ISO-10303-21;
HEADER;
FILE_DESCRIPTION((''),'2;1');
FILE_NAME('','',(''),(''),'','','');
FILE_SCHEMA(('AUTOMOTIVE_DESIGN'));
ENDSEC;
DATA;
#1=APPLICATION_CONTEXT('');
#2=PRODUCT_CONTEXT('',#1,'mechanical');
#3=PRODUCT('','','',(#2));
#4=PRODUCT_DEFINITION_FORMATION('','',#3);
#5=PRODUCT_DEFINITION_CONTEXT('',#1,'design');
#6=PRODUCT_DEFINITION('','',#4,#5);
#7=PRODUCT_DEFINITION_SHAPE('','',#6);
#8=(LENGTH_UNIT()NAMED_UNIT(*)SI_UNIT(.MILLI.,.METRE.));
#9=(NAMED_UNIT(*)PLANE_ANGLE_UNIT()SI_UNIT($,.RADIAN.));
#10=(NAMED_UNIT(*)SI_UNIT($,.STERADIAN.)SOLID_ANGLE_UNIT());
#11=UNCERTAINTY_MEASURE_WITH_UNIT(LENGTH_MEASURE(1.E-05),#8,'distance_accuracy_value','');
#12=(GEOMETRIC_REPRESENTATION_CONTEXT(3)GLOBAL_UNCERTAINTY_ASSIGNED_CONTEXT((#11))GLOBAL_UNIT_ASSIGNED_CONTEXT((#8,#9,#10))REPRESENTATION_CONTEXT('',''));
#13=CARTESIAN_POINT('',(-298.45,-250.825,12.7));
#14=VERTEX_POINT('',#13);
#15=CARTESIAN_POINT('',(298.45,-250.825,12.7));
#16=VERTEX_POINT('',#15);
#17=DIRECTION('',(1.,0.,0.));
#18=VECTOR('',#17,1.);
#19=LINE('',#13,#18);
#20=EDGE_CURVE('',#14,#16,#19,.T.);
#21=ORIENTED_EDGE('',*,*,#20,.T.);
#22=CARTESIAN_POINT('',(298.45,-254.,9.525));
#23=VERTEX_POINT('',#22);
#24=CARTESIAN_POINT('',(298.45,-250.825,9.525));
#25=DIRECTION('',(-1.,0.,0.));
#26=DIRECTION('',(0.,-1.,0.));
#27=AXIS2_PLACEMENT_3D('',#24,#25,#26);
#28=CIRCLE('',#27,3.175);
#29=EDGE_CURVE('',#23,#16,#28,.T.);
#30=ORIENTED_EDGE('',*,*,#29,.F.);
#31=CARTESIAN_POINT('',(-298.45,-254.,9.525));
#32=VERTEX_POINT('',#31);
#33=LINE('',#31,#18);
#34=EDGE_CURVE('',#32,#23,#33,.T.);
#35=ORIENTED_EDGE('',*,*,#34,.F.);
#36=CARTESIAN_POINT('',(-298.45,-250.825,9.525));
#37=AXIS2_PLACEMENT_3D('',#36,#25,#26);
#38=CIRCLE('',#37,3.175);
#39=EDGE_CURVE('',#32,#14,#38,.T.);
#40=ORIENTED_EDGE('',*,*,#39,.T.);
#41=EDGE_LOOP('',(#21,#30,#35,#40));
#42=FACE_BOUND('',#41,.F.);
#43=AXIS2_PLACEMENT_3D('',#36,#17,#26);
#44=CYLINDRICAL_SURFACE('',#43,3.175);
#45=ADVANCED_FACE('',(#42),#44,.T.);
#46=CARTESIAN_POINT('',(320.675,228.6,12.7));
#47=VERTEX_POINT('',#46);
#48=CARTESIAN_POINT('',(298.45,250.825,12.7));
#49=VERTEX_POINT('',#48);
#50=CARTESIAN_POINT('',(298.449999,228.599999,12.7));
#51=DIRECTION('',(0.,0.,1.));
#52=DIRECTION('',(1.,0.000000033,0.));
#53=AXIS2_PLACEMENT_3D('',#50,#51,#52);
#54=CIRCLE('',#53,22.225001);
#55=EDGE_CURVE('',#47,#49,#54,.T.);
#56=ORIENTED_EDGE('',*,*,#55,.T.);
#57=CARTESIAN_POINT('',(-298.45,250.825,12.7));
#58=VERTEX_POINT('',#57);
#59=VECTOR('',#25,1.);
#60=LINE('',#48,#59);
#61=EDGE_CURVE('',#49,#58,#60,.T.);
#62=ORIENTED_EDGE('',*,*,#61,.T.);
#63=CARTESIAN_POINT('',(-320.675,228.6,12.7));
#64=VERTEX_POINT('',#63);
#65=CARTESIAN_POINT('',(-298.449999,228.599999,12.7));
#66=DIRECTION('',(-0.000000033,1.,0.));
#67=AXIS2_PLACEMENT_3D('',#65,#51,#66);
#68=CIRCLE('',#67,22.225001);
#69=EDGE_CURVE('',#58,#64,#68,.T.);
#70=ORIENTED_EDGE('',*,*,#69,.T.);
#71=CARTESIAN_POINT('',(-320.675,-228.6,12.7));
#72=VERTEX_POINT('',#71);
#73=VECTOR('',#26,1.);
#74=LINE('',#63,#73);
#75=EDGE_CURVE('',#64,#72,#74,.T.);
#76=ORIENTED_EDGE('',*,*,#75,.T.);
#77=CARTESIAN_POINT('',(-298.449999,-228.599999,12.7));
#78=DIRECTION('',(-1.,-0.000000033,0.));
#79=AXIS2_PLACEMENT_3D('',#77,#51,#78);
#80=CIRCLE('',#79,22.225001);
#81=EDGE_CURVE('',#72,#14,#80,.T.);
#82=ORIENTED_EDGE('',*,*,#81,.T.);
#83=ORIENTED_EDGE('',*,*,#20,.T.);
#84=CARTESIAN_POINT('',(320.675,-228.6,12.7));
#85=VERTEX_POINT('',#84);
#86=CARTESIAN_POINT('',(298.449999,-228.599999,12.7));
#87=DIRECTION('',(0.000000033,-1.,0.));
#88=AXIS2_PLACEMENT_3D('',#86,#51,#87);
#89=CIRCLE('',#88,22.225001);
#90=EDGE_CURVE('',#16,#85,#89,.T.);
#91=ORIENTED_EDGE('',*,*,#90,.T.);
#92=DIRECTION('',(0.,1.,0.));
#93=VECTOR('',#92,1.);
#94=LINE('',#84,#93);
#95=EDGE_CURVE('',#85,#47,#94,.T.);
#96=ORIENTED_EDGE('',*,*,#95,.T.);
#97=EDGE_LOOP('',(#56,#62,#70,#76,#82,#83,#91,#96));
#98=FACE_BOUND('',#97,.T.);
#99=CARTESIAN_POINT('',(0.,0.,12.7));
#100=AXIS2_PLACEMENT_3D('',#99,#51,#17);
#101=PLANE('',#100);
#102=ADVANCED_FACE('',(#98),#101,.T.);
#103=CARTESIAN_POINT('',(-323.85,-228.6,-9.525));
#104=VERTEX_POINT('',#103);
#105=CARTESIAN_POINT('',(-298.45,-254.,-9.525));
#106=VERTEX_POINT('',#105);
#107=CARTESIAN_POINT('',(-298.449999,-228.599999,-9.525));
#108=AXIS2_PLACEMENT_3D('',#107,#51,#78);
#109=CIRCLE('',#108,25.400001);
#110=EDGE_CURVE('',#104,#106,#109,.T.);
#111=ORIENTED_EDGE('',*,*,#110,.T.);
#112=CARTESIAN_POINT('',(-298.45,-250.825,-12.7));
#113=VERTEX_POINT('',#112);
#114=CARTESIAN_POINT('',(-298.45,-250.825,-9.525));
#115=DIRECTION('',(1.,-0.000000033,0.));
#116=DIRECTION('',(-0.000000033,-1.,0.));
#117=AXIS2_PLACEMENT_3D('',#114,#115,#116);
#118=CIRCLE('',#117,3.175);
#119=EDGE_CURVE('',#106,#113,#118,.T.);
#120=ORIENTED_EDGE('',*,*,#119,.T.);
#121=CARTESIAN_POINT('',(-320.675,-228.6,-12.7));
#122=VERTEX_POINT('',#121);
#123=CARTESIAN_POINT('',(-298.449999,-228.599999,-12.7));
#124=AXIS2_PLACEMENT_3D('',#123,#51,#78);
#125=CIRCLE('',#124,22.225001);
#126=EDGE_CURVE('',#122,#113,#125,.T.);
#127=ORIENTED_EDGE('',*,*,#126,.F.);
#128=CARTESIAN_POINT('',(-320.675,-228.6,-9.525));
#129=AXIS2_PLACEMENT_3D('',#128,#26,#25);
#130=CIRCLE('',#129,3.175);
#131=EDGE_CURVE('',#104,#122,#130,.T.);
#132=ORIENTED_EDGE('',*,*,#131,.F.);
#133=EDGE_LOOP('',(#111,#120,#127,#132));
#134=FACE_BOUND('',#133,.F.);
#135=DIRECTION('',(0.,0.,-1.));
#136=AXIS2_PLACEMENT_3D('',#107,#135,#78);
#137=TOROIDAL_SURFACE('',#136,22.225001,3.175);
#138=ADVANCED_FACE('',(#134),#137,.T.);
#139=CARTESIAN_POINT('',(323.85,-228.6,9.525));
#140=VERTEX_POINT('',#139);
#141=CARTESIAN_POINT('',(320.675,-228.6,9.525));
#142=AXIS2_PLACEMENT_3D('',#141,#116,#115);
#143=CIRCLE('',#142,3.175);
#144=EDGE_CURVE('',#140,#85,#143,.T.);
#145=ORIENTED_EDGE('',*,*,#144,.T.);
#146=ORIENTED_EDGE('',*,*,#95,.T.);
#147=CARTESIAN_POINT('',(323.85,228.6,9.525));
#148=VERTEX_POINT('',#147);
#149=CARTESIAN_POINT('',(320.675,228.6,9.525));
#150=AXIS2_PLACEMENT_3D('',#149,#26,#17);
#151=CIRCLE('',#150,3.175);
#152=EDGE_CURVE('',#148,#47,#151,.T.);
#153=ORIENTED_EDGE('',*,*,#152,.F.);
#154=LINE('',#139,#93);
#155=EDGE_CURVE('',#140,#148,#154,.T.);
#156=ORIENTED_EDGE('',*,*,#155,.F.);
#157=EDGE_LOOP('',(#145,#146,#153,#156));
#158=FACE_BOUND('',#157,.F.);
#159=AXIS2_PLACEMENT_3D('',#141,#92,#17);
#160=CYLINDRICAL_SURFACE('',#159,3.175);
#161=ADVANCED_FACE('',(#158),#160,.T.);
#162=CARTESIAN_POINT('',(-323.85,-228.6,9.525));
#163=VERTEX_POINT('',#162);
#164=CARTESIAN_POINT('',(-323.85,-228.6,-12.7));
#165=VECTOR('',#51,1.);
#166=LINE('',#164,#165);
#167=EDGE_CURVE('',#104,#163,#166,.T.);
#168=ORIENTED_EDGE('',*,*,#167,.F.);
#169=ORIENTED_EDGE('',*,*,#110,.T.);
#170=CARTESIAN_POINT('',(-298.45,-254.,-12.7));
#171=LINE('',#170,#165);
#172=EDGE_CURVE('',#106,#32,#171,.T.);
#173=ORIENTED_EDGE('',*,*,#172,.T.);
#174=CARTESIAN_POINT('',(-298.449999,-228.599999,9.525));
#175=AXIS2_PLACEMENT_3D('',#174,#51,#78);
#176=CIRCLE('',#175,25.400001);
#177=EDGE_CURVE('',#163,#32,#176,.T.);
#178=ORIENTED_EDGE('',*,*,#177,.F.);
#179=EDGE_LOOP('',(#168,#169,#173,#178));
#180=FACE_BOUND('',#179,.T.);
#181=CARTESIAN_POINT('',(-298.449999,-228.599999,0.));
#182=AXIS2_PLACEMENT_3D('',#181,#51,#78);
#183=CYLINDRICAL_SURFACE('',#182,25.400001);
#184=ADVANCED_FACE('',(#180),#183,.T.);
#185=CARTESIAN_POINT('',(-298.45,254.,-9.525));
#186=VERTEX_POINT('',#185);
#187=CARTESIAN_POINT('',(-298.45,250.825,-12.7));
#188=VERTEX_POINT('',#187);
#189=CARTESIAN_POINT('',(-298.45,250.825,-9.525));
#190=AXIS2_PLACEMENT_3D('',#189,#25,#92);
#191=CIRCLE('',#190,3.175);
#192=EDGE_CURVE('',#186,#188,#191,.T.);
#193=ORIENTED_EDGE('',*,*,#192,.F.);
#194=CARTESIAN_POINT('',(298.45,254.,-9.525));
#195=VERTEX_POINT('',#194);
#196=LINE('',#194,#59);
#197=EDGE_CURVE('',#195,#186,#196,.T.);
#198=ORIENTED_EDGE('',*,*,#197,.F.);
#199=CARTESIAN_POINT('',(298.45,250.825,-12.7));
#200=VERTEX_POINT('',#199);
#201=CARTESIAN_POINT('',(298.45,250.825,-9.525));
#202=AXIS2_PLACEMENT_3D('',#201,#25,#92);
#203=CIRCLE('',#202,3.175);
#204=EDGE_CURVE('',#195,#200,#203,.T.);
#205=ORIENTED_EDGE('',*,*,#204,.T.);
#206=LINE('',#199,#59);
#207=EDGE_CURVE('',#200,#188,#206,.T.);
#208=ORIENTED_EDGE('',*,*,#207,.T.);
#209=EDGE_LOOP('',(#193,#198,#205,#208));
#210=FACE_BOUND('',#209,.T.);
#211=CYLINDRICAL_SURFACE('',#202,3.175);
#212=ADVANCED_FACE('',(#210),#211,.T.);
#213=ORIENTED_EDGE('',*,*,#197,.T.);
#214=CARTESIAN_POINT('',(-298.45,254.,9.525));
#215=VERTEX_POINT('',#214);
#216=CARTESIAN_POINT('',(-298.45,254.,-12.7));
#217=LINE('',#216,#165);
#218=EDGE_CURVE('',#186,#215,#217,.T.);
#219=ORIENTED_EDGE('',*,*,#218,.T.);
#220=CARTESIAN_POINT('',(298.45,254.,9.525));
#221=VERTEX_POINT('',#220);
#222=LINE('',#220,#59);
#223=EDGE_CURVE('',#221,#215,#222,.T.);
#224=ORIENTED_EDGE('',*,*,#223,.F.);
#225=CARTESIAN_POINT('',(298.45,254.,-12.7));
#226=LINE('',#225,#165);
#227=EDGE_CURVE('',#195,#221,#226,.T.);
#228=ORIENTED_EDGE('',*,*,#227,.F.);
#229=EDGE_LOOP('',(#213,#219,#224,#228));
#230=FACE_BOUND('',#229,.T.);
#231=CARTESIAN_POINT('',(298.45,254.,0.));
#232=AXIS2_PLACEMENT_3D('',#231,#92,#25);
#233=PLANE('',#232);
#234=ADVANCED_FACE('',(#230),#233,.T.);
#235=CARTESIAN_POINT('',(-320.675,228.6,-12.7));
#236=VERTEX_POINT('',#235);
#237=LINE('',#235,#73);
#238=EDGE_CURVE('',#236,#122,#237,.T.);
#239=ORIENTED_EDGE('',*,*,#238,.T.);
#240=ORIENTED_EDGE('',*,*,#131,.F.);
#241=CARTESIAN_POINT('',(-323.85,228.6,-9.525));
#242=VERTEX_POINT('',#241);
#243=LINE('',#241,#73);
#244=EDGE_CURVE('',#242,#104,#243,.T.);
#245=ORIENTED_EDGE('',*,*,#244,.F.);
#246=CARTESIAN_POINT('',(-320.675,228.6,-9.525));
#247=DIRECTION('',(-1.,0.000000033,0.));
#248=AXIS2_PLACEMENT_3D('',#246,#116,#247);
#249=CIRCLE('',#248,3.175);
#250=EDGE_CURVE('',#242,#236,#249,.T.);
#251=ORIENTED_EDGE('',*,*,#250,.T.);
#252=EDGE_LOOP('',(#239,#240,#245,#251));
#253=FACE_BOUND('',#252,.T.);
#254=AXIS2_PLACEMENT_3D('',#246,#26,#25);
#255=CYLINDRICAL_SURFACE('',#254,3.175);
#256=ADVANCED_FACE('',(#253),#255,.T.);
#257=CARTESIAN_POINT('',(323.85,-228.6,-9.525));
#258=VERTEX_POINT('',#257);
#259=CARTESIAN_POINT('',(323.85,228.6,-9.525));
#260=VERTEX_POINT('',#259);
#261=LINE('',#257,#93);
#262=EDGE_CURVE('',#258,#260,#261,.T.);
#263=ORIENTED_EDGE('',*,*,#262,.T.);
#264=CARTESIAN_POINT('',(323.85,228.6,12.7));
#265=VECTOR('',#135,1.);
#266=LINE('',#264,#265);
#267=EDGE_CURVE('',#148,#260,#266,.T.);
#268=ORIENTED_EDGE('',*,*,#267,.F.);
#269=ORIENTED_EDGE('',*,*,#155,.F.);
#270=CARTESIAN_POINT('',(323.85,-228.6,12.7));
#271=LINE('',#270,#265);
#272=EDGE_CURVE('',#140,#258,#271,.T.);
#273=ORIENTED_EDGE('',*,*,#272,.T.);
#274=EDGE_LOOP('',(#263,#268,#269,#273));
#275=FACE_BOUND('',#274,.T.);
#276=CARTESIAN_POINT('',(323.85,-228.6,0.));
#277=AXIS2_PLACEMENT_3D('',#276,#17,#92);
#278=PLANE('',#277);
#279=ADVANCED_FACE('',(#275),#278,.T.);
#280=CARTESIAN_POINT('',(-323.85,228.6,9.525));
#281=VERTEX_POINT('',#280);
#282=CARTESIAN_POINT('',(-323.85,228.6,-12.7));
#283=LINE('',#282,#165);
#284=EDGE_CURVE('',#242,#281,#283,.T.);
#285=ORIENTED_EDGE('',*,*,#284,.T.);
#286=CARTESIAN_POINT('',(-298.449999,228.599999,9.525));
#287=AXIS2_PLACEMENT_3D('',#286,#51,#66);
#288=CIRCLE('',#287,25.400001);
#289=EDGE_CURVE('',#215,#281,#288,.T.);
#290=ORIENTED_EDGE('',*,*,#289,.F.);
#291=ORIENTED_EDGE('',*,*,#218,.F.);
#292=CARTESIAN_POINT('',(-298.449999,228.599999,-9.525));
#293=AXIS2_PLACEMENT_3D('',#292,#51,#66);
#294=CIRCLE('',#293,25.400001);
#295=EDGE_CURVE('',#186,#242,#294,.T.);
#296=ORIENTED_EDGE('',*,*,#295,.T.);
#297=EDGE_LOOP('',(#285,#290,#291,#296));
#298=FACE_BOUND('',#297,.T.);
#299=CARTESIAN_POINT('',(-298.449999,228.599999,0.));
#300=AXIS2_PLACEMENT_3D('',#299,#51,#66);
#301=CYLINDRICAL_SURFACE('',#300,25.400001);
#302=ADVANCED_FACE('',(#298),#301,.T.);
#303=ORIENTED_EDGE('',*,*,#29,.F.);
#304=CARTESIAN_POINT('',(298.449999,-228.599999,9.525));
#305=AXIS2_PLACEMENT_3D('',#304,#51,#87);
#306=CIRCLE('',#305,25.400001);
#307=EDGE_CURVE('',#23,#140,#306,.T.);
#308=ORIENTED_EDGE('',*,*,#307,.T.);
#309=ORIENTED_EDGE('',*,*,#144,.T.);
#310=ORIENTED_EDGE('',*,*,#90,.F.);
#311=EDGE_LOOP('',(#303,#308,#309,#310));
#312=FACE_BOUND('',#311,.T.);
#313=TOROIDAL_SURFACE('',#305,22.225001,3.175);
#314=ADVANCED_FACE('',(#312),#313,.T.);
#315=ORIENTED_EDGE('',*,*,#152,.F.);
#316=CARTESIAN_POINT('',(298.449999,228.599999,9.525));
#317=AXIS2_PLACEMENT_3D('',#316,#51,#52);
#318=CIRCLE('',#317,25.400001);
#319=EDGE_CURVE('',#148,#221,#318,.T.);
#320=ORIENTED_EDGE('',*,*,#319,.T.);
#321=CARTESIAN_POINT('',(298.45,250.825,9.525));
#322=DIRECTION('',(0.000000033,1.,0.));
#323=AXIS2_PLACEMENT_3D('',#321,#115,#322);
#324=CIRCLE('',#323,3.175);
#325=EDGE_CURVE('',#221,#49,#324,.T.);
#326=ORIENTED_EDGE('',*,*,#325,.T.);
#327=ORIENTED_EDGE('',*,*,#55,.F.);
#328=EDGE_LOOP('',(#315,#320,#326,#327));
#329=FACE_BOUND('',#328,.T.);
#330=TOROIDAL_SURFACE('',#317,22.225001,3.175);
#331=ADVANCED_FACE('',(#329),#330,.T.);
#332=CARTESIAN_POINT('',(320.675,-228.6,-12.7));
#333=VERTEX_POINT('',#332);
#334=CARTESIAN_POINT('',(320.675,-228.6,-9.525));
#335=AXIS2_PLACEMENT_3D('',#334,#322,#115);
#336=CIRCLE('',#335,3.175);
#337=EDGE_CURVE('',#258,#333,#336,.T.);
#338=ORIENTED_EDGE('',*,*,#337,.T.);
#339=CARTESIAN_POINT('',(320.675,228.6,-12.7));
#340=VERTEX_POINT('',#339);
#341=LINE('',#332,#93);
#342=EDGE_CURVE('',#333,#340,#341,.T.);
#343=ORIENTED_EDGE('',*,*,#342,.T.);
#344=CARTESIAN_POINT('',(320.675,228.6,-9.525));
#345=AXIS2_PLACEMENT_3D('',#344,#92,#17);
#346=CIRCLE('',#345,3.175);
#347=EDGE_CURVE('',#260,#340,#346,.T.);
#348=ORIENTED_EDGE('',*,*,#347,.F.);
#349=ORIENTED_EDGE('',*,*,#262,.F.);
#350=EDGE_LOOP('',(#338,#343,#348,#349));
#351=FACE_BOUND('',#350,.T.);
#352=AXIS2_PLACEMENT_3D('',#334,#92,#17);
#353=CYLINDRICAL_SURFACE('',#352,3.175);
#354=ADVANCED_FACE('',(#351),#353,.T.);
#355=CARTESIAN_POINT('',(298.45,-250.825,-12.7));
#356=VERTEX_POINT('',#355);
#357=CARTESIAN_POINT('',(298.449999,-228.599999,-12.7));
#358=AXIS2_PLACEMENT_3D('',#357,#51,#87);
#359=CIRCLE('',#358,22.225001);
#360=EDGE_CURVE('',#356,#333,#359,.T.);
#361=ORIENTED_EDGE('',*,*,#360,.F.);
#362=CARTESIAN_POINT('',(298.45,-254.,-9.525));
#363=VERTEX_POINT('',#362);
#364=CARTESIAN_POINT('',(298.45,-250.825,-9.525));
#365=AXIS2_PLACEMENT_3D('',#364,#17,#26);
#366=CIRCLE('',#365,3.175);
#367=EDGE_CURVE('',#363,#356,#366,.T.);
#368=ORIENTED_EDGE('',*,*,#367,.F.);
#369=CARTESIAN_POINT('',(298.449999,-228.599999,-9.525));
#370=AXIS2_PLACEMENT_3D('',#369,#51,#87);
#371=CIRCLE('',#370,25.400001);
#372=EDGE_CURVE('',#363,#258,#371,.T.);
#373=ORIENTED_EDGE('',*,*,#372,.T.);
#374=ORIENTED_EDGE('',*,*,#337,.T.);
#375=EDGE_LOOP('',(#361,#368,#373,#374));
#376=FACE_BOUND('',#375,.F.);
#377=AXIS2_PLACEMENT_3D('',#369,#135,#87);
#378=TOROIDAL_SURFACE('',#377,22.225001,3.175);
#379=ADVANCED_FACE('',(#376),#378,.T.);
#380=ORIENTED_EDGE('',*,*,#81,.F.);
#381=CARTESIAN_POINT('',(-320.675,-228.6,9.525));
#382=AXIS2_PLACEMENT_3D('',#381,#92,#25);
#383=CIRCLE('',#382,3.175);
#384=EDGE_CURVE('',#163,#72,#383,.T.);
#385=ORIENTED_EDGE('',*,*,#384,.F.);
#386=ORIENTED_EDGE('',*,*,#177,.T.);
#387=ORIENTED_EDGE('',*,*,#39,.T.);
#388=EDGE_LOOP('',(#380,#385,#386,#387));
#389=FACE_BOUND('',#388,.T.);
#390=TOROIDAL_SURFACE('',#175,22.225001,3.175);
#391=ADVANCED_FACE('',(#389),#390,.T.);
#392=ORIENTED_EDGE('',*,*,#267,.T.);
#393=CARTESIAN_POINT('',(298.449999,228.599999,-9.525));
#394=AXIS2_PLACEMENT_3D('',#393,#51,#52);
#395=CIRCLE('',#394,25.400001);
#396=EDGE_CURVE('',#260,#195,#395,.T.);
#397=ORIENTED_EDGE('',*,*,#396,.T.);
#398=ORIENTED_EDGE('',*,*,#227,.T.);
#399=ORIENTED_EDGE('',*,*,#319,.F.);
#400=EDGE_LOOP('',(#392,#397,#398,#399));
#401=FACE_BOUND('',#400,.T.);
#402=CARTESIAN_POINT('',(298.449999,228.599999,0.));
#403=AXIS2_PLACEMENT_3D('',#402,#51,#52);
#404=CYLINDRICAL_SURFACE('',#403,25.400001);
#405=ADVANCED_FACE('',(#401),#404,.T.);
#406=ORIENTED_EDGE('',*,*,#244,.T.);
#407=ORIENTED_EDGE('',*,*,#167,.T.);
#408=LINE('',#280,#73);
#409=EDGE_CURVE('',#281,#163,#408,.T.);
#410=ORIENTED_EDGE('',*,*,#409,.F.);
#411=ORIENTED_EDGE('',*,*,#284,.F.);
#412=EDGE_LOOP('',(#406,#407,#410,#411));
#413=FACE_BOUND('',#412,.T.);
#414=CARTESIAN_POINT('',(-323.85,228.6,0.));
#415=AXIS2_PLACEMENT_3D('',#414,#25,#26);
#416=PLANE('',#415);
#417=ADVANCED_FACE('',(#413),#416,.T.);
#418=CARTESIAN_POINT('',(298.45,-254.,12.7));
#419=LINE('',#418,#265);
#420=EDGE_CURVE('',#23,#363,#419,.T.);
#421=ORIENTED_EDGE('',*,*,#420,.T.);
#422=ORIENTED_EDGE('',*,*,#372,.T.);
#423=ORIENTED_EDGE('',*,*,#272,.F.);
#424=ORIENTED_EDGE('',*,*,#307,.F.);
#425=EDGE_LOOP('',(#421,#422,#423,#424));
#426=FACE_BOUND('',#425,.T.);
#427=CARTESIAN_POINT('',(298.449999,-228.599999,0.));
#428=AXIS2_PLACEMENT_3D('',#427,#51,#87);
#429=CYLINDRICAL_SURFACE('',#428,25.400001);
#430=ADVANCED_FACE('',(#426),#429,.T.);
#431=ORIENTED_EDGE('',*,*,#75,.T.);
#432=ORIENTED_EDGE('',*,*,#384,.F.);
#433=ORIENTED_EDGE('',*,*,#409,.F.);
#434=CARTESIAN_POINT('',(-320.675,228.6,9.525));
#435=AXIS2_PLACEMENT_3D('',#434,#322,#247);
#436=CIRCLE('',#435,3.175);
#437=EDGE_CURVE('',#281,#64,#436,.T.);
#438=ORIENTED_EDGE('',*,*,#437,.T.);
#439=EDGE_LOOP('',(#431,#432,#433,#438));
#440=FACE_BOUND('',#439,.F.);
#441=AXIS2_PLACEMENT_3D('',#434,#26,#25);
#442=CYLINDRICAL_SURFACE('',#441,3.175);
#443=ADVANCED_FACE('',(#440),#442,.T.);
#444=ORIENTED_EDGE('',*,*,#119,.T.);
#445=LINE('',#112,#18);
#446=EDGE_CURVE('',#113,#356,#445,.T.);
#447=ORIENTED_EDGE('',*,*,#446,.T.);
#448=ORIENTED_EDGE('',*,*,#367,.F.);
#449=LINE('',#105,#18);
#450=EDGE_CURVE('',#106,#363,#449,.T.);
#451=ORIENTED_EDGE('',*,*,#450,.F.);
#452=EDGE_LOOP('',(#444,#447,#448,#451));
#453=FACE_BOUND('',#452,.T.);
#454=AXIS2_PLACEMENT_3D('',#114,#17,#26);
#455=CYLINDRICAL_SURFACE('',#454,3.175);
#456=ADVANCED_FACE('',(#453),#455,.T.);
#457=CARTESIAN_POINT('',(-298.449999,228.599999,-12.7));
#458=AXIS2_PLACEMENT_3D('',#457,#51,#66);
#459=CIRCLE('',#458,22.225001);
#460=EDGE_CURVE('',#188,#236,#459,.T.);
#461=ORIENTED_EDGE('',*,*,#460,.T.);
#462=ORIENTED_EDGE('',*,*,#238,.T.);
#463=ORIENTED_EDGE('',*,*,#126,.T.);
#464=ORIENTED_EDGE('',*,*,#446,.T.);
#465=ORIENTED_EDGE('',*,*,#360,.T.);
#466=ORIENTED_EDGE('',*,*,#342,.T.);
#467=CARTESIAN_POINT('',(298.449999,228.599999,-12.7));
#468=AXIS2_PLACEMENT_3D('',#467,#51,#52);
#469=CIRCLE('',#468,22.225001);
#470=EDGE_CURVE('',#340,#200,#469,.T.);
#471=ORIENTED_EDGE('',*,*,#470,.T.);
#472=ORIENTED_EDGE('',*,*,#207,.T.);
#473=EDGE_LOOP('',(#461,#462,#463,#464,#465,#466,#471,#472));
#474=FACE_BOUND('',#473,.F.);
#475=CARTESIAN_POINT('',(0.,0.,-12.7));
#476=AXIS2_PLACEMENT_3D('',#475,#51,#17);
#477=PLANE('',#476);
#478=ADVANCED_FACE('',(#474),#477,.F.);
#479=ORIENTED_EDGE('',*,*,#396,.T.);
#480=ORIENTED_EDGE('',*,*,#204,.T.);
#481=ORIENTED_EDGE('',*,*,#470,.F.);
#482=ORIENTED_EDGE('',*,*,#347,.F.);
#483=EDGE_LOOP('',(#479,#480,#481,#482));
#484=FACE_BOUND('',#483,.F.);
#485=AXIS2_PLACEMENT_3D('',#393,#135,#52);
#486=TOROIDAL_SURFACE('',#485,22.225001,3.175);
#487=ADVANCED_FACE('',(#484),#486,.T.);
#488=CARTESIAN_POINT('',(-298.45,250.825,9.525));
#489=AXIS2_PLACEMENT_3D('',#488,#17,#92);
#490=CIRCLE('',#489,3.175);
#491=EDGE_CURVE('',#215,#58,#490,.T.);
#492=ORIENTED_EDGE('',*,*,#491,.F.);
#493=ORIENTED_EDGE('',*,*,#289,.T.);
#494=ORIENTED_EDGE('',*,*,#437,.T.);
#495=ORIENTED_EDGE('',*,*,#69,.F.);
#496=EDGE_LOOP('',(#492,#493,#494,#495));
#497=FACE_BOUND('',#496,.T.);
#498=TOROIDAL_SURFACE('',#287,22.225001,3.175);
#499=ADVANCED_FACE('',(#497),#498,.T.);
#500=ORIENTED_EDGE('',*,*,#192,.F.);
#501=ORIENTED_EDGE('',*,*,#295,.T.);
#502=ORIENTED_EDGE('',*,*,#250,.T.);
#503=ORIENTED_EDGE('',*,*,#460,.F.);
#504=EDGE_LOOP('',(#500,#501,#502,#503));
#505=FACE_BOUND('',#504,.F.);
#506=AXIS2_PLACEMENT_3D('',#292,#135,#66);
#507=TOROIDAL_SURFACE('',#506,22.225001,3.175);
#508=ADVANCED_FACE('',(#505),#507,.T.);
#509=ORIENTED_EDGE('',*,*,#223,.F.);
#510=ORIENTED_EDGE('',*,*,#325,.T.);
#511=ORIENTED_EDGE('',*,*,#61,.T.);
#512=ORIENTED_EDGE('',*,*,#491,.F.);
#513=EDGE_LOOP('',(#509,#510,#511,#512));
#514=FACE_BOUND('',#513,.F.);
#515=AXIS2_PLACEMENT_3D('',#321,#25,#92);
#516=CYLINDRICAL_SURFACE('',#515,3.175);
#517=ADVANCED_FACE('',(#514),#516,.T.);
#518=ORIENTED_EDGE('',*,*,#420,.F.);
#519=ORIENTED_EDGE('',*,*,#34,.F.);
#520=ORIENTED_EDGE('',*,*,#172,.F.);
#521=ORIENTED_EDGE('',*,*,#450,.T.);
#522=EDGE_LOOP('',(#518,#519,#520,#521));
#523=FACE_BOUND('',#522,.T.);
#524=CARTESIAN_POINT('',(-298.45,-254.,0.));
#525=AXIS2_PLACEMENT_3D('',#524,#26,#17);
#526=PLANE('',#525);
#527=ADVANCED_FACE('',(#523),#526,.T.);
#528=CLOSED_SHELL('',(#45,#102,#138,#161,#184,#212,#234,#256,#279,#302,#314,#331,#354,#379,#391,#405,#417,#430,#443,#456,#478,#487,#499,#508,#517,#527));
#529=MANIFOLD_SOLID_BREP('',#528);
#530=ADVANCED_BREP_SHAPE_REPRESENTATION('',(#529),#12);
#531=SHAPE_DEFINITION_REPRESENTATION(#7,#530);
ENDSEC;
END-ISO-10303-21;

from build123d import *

# Parameters (mm, degrees)
F1_DEPTH = 12.7
F2_R     = 3.175


with BuildPart() as f1:
    # F0 (on Top) → F1 (new body, symmetric)
    with BuildSketch(Plane.XY):
        with BuildLine():
            ThreePointArc((323.85, 228.6), (316.410512, 246.560512), (298.45, 254))
            Line((298.45, 254), (-298.45, 254))
            ThreePointArc((-298.45, 254), (-316.410512, 246.560512), (-323.85, 228.6))
            Line((-323.85, 228.6), (-323.85, -228.6))
            ThreePointArc((-323.85, -228.6), (-316.410512, -246.560512), (-298.45, -254))
            Line((-298.45, -254), (298.45, -254))
            ThreePointArc((298.45, -254), (316.410512, -246.560512), (323.85, -228.6))
            Line((323.85, -228.6), (323.85, 228.6))
        make_face()
    extrude(amount=F1_DEPTH, both=True)

    # F2
    f2_edges = [f1.edges().sort_by_distance(p)[0] for p in [
        (0, -254, 12.7),
        (0, 254, -12.7),
    ]]
    fillet(f2_edges, radius=F2_R)


solid = f1.part
